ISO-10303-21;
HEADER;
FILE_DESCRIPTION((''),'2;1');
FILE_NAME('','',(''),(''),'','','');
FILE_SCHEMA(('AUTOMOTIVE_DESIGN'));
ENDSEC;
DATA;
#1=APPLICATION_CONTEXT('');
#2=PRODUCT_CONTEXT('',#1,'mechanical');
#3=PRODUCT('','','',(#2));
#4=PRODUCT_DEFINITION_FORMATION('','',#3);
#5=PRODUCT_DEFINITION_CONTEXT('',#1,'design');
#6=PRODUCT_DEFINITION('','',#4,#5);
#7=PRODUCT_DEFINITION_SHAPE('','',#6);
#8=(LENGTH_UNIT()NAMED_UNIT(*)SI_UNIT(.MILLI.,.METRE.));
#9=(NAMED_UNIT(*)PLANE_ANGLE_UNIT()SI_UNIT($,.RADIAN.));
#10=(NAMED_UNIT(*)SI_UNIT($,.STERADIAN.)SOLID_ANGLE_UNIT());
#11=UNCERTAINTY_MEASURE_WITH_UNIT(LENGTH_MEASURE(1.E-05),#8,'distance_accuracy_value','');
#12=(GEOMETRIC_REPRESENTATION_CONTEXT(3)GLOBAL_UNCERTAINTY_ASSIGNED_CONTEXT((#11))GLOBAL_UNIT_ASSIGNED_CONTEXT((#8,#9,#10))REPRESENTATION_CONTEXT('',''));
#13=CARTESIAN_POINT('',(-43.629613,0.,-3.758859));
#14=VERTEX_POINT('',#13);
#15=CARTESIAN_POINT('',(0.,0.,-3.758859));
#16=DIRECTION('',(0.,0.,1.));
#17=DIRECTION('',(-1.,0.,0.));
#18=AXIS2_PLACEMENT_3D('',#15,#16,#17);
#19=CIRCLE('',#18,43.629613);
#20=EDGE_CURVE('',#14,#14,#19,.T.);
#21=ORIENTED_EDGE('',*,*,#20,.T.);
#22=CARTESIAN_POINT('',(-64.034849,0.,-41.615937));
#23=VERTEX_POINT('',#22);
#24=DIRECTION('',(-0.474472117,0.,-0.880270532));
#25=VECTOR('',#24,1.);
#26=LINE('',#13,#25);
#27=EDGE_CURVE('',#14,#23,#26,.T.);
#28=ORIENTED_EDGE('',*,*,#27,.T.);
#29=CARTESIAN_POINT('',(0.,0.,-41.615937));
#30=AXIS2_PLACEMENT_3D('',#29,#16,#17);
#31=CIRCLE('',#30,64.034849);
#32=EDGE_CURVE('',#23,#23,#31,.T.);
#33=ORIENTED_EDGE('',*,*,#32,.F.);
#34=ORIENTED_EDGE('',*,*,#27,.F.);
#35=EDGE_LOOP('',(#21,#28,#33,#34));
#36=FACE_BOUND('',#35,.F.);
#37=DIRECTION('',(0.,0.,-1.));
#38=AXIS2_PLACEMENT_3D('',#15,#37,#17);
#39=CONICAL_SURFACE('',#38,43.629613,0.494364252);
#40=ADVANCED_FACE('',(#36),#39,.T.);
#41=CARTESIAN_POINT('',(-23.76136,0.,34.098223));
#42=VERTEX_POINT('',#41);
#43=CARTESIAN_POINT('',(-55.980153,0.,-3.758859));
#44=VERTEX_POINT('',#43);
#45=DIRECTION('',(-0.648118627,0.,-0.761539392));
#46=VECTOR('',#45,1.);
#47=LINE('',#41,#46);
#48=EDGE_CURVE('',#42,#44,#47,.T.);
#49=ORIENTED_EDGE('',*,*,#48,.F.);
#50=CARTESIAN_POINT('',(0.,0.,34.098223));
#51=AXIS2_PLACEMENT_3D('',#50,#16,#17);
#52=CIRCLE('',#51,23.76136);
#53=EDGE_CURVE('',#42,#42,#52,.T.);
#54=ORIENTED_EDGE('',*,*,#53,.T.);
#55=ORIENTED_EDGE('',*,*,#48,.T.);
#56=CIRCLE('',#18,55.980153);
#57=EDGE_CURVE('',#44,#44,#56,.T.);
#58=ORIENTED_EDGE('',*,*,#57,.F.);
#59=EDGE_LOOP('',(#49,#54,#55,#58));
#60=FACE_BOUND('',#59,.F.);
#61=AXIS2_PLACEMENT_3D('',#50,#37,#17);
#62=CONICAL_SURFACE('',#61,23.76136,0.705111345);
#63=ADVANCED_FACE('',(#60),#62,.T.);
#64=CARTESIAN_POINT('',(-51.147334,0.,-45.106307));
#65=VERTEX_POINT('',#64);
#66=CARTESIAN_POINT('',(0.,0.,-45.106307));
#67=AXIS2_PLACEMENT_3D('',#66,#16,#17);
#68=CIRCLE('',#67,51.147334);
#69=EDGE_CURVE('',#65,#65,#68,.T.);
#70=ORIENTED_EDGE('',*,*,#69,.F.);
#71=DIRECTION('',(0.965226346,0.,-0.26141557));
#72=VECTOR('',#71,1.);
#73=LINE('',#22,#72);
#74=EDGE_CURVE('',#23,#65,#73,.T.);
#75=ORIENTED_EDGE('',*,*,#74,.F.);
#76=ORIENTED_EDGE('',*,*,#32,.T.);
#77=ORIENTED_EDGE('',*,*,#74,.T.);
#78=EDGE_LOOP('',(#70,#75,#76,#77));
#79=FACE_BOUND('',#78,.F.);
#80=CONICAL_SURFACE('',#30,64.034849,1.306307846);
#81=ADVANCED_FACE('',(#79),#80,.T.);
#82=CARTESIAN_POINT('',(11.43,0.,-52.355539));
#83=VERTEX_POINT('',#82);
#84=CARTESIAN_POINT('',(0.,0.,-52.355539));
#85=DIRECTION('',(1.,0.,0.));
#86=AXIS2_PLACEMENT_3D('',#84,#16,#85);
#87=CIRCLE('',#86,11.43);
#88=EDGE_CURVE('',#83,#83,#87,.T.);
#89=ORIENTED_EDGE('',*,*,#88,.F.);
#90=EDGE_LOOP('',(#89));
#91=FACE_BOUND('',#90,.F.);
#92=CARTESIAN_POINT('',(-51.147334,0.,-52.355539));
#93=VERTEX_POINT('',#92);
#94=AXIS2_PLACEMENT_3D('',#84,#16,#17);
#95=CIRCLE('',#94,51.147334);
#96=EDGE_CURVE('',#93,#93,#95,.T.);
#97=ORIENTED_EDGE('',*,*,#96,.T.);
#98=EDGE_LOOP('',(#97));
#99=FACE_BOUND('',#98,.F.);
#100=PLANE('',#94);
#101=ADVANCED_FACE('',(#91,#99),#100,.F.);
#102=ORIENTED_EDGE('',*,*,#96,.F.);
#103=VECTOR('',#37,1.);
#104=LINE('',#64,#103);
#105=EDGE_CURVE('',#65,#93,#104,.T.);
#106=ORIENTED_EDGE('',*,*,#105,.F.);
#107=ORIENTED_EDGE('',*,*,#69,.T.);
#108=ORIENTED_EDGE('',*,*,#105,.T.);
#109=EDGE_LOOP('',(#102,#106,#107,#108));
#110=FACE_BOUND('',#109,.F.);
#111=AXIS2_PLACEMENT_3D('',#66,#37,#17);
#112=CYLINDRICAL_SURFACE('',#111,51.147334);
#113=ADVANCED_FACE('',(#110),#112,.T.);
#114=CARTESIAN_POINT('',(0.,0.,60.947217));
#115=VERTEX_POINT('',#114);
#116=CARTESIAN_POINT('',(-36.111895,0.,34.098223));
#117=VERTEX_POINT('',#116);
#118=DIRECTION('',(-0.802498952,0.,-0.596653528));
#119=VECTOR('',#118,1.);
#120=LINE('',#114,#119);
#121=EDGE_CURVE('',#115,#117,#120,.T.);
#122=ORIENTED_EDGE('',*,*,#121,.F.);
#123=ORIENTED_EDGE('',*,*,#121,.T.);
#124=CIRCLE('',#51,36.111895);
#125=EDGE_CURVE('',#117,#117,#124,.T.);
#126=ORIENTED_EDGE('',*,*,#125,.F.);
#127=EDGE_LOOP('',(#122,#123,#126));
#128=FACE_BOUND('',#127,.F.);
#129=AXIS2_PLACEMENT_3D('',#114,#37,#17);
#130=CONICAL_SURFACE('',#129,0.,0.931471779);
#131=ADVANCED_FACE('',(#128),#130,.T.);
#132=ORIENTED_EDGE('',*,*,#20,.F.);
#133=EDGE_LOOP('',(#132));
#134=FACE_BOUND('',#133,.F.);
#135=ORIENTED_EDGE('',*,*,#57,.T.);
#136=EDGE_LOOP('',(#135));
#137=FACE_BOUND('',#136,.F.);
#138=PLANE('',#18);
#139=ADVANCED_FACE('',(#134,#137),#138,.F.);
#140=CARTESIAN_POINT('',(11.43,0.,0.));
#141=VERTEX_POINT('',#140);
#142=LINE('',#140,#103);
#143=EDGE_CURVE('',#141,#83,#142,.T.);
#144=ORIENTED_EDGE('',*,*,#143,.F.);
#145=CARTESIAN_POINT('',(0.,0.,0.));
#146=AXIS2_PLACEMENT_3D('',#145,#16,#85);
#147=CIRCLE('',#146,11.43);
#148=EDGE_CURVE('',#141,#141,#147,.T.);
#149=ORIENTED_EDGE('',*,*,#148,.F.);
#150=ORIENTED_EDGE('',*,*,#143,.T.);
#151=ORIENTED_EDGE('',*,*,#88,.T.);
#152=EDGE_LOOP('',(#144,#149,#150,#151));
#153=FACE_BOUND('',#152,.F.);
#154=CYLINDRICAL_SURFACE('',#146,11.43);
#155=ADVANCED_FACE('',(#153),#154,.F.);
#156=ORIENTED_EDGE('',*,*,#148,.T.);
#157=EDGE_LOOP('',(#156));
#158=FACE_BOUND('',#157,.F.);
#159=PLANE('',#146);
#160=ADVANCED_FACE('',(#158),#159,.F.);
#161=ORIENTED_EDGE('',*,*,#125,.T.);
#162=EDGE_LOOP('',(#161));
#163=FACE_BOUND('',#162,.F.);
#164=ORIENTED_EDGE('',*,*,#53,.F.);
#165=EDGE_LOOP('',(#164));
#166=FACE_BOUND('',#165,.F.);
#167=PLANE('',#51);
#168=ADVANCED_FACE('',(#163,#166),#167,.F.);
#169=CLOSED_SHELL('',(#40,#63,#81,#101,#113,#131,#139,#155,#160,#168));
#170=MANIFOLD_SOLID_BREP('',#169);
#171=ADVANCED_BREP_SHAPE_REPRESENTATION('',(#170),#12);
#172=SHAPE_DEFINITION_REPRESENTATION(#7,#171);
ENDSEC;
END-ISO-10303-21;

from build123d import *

# Parameters (mm, degrees)
F2_R     = 11.43
F3_DEPTH = 122.936


with BuildPart() as f1:
    # F0 (on Front) → F1 (revolve)
    with BuildSketch(Plane.XZ):
        Polygon((0, -52.355539), (0, 60.947217), (-36.111895, 34.098223), (-23.76136, 34.098223), (-55.980153, -3.758859), (-43.629613, -3.758859), (-64.034849, -41.615937), (-51.147334, -45.106307), (-51.147334, -52.355539), align=None)
    revolve(axis=Axis((0, 0, 4.295839), (0, 0, 1)))

    # F2 (on Top) → F3 (cut)
    with BuildSketch(Plane.XY):
        Circle(F2_R)
    extrude(amount=-F3_DEPTH, mode=Mode.SUBTRACT)


solid = f1.part
